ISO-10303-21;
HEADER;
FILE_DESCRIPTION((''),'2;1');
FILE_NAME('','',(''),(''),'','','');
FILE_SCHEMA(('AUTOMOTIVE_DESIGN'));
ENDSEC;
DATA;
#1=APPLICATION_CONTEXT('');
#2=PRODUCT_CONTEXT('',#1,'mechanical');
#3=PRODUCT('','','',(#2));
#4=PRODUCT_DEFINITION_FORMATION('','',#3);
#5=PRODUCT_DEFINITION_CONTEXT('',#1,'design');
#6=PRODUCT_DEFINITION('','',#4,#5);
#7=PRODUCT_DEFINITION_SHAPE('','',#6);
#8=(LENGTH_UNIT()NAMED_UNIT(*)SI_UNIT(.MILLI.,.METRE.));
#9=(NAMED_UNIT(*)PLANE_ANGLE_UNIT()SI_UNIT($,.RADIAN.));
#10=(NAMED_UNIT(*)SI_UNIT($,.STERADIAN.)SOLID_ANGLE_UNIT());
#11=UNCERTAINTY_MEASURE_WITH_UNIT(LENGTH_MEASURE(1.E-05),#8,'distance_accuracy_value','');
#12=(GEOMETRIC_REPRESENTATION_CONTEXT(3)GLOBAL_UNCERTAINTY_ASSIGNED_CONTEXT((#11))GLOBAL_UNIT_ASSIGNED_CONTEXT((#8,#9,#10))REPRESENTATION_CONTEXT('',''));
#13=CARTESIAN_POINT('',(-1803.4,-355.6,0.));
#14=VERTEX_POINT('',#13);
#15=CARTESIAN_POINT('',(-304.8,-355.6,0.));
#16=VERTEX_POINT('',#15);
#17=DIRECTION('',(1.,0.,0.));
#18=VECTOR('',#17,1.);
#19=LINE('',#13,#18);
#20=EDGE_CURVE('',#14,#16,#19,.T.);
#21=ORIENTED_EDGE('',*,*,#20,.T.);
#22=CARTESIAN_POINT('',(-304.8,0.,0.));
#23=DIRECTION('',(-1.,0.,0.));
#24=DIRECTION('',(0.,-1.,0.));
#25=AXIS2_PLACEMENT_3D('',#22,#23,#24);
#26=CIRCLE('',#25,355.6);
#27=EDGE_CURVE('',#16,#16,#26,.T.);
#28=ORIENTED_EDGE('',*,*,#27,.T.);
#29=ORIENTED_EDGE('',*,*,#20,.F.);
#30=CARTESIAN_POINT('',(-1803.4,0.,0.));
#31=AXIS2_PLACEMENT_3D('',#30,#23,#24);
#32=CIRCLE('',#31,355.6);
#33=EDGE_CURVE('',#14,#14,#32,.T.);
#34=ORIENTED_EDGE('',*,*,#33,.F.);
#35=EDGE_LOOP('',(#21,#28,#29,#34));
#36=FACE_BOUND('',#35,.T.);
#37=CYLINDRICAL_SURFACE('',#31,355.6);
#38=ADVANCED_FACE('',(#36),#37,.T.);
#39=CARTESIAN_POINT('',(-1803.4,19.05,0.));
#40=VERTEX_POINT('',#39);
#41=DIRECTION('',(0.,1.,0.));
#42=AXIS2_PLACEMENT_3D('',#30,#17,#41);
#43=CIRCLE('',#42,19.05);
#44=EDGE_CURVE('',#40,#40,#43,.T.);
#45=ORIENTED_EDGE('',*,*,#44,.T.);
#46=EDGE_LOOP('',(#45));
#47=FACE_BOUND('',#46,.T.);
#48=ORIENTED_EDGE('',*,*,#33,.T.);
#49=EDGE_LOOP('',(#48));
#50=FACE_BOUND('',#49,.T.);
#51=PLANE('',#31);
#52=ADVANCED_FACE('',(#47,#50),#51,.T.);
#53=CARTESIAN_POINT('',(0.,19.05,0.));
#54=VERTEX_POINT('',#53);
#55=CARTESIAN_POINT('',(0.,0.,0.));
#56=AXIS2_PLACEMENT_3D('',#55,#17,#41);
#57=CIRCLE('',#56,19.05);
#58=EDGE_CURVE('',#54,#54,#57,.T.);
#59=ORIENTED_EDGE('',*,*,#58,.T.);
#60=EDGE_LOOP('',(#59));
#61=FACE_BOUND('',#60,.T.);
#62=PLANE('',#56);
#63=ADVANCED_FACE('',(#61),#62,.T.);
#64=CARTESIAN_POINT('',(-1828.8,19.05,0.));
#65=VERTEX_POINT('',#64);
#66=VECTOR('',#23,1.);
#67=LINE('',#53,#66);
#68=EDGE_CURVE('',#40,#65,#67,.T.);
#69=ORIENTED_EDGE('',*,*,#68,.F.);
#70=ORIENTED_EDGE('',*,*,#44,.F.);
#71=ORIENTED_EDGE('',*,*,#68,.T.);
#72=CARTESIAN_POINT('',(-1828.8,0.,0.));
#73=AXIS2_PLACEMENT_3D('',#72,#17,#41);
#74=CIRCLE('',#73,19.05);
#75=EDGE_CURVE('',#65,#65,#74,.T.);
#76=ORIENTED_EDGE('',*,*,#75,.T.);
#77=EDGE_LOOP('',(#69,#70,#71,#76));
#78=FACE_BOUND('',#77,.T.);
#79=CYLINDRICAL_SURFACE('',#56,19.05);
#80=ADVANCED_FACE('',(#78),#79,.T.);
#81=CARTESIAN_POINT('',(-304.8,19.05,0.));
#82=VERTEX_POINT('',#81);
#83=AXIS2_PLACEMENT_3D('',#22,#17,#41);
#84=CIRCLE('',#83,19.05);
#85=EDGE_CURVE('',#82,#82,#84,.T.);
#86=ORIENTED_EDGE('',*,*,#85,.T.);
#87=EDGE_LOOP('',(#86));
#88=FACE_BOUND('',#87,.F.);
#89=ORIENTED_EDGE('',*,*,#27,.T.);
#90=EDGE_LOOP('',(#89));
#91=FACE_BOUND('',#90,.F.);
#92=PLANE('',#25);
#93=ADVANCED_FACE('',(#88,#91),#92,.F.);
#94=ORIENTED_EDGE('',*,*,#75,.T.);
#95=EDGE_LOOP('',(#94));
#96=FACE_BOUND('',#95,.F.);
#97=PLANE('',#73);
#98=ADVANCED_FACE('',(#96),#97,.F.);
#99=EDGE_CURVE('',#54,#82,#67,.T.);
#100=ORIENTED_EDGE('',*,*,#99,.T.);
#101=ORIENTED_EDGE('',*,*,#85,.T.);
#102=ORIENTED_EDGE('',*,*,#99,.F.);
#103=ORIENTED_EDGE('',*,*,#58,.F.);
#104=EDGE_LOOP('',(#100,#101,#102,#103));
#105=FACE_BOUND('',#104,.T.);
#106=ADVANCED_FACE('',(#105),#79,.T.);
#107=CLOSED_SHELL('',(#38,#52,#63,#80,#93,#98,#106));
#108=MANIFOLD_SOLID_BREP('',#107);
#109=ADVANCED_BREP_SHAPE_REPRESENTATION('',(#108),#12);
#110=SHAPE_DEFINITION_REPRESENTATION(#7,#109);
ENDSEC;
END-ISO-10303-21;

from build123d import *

# Parameters (mm, degrees)
F0_R     = 19.05
F1_DEPTH = 1828.8
F3_START = -25.4
F2_R     = 355.6
F3_DEPTH = 1498.6


with BuildPart() as f1:
    # F0 (on Right) → F1 (new body)
    with BuildSketch(Plane.YZ):
        Circle(F0_R)
    extrude(amount=-F1_DEPTH)

    # F2 (on face) → F3 (join)
    with BuildSketch(Plane(origin=(-1828.8, 0, 0), x_dir=(0, -1, 0), z_dir=(-1, 0, 0)).offset(F3_START)):
        Circle(F2_R)
    extrude(amount=-F3_DEPTH)


solid = f1.part
